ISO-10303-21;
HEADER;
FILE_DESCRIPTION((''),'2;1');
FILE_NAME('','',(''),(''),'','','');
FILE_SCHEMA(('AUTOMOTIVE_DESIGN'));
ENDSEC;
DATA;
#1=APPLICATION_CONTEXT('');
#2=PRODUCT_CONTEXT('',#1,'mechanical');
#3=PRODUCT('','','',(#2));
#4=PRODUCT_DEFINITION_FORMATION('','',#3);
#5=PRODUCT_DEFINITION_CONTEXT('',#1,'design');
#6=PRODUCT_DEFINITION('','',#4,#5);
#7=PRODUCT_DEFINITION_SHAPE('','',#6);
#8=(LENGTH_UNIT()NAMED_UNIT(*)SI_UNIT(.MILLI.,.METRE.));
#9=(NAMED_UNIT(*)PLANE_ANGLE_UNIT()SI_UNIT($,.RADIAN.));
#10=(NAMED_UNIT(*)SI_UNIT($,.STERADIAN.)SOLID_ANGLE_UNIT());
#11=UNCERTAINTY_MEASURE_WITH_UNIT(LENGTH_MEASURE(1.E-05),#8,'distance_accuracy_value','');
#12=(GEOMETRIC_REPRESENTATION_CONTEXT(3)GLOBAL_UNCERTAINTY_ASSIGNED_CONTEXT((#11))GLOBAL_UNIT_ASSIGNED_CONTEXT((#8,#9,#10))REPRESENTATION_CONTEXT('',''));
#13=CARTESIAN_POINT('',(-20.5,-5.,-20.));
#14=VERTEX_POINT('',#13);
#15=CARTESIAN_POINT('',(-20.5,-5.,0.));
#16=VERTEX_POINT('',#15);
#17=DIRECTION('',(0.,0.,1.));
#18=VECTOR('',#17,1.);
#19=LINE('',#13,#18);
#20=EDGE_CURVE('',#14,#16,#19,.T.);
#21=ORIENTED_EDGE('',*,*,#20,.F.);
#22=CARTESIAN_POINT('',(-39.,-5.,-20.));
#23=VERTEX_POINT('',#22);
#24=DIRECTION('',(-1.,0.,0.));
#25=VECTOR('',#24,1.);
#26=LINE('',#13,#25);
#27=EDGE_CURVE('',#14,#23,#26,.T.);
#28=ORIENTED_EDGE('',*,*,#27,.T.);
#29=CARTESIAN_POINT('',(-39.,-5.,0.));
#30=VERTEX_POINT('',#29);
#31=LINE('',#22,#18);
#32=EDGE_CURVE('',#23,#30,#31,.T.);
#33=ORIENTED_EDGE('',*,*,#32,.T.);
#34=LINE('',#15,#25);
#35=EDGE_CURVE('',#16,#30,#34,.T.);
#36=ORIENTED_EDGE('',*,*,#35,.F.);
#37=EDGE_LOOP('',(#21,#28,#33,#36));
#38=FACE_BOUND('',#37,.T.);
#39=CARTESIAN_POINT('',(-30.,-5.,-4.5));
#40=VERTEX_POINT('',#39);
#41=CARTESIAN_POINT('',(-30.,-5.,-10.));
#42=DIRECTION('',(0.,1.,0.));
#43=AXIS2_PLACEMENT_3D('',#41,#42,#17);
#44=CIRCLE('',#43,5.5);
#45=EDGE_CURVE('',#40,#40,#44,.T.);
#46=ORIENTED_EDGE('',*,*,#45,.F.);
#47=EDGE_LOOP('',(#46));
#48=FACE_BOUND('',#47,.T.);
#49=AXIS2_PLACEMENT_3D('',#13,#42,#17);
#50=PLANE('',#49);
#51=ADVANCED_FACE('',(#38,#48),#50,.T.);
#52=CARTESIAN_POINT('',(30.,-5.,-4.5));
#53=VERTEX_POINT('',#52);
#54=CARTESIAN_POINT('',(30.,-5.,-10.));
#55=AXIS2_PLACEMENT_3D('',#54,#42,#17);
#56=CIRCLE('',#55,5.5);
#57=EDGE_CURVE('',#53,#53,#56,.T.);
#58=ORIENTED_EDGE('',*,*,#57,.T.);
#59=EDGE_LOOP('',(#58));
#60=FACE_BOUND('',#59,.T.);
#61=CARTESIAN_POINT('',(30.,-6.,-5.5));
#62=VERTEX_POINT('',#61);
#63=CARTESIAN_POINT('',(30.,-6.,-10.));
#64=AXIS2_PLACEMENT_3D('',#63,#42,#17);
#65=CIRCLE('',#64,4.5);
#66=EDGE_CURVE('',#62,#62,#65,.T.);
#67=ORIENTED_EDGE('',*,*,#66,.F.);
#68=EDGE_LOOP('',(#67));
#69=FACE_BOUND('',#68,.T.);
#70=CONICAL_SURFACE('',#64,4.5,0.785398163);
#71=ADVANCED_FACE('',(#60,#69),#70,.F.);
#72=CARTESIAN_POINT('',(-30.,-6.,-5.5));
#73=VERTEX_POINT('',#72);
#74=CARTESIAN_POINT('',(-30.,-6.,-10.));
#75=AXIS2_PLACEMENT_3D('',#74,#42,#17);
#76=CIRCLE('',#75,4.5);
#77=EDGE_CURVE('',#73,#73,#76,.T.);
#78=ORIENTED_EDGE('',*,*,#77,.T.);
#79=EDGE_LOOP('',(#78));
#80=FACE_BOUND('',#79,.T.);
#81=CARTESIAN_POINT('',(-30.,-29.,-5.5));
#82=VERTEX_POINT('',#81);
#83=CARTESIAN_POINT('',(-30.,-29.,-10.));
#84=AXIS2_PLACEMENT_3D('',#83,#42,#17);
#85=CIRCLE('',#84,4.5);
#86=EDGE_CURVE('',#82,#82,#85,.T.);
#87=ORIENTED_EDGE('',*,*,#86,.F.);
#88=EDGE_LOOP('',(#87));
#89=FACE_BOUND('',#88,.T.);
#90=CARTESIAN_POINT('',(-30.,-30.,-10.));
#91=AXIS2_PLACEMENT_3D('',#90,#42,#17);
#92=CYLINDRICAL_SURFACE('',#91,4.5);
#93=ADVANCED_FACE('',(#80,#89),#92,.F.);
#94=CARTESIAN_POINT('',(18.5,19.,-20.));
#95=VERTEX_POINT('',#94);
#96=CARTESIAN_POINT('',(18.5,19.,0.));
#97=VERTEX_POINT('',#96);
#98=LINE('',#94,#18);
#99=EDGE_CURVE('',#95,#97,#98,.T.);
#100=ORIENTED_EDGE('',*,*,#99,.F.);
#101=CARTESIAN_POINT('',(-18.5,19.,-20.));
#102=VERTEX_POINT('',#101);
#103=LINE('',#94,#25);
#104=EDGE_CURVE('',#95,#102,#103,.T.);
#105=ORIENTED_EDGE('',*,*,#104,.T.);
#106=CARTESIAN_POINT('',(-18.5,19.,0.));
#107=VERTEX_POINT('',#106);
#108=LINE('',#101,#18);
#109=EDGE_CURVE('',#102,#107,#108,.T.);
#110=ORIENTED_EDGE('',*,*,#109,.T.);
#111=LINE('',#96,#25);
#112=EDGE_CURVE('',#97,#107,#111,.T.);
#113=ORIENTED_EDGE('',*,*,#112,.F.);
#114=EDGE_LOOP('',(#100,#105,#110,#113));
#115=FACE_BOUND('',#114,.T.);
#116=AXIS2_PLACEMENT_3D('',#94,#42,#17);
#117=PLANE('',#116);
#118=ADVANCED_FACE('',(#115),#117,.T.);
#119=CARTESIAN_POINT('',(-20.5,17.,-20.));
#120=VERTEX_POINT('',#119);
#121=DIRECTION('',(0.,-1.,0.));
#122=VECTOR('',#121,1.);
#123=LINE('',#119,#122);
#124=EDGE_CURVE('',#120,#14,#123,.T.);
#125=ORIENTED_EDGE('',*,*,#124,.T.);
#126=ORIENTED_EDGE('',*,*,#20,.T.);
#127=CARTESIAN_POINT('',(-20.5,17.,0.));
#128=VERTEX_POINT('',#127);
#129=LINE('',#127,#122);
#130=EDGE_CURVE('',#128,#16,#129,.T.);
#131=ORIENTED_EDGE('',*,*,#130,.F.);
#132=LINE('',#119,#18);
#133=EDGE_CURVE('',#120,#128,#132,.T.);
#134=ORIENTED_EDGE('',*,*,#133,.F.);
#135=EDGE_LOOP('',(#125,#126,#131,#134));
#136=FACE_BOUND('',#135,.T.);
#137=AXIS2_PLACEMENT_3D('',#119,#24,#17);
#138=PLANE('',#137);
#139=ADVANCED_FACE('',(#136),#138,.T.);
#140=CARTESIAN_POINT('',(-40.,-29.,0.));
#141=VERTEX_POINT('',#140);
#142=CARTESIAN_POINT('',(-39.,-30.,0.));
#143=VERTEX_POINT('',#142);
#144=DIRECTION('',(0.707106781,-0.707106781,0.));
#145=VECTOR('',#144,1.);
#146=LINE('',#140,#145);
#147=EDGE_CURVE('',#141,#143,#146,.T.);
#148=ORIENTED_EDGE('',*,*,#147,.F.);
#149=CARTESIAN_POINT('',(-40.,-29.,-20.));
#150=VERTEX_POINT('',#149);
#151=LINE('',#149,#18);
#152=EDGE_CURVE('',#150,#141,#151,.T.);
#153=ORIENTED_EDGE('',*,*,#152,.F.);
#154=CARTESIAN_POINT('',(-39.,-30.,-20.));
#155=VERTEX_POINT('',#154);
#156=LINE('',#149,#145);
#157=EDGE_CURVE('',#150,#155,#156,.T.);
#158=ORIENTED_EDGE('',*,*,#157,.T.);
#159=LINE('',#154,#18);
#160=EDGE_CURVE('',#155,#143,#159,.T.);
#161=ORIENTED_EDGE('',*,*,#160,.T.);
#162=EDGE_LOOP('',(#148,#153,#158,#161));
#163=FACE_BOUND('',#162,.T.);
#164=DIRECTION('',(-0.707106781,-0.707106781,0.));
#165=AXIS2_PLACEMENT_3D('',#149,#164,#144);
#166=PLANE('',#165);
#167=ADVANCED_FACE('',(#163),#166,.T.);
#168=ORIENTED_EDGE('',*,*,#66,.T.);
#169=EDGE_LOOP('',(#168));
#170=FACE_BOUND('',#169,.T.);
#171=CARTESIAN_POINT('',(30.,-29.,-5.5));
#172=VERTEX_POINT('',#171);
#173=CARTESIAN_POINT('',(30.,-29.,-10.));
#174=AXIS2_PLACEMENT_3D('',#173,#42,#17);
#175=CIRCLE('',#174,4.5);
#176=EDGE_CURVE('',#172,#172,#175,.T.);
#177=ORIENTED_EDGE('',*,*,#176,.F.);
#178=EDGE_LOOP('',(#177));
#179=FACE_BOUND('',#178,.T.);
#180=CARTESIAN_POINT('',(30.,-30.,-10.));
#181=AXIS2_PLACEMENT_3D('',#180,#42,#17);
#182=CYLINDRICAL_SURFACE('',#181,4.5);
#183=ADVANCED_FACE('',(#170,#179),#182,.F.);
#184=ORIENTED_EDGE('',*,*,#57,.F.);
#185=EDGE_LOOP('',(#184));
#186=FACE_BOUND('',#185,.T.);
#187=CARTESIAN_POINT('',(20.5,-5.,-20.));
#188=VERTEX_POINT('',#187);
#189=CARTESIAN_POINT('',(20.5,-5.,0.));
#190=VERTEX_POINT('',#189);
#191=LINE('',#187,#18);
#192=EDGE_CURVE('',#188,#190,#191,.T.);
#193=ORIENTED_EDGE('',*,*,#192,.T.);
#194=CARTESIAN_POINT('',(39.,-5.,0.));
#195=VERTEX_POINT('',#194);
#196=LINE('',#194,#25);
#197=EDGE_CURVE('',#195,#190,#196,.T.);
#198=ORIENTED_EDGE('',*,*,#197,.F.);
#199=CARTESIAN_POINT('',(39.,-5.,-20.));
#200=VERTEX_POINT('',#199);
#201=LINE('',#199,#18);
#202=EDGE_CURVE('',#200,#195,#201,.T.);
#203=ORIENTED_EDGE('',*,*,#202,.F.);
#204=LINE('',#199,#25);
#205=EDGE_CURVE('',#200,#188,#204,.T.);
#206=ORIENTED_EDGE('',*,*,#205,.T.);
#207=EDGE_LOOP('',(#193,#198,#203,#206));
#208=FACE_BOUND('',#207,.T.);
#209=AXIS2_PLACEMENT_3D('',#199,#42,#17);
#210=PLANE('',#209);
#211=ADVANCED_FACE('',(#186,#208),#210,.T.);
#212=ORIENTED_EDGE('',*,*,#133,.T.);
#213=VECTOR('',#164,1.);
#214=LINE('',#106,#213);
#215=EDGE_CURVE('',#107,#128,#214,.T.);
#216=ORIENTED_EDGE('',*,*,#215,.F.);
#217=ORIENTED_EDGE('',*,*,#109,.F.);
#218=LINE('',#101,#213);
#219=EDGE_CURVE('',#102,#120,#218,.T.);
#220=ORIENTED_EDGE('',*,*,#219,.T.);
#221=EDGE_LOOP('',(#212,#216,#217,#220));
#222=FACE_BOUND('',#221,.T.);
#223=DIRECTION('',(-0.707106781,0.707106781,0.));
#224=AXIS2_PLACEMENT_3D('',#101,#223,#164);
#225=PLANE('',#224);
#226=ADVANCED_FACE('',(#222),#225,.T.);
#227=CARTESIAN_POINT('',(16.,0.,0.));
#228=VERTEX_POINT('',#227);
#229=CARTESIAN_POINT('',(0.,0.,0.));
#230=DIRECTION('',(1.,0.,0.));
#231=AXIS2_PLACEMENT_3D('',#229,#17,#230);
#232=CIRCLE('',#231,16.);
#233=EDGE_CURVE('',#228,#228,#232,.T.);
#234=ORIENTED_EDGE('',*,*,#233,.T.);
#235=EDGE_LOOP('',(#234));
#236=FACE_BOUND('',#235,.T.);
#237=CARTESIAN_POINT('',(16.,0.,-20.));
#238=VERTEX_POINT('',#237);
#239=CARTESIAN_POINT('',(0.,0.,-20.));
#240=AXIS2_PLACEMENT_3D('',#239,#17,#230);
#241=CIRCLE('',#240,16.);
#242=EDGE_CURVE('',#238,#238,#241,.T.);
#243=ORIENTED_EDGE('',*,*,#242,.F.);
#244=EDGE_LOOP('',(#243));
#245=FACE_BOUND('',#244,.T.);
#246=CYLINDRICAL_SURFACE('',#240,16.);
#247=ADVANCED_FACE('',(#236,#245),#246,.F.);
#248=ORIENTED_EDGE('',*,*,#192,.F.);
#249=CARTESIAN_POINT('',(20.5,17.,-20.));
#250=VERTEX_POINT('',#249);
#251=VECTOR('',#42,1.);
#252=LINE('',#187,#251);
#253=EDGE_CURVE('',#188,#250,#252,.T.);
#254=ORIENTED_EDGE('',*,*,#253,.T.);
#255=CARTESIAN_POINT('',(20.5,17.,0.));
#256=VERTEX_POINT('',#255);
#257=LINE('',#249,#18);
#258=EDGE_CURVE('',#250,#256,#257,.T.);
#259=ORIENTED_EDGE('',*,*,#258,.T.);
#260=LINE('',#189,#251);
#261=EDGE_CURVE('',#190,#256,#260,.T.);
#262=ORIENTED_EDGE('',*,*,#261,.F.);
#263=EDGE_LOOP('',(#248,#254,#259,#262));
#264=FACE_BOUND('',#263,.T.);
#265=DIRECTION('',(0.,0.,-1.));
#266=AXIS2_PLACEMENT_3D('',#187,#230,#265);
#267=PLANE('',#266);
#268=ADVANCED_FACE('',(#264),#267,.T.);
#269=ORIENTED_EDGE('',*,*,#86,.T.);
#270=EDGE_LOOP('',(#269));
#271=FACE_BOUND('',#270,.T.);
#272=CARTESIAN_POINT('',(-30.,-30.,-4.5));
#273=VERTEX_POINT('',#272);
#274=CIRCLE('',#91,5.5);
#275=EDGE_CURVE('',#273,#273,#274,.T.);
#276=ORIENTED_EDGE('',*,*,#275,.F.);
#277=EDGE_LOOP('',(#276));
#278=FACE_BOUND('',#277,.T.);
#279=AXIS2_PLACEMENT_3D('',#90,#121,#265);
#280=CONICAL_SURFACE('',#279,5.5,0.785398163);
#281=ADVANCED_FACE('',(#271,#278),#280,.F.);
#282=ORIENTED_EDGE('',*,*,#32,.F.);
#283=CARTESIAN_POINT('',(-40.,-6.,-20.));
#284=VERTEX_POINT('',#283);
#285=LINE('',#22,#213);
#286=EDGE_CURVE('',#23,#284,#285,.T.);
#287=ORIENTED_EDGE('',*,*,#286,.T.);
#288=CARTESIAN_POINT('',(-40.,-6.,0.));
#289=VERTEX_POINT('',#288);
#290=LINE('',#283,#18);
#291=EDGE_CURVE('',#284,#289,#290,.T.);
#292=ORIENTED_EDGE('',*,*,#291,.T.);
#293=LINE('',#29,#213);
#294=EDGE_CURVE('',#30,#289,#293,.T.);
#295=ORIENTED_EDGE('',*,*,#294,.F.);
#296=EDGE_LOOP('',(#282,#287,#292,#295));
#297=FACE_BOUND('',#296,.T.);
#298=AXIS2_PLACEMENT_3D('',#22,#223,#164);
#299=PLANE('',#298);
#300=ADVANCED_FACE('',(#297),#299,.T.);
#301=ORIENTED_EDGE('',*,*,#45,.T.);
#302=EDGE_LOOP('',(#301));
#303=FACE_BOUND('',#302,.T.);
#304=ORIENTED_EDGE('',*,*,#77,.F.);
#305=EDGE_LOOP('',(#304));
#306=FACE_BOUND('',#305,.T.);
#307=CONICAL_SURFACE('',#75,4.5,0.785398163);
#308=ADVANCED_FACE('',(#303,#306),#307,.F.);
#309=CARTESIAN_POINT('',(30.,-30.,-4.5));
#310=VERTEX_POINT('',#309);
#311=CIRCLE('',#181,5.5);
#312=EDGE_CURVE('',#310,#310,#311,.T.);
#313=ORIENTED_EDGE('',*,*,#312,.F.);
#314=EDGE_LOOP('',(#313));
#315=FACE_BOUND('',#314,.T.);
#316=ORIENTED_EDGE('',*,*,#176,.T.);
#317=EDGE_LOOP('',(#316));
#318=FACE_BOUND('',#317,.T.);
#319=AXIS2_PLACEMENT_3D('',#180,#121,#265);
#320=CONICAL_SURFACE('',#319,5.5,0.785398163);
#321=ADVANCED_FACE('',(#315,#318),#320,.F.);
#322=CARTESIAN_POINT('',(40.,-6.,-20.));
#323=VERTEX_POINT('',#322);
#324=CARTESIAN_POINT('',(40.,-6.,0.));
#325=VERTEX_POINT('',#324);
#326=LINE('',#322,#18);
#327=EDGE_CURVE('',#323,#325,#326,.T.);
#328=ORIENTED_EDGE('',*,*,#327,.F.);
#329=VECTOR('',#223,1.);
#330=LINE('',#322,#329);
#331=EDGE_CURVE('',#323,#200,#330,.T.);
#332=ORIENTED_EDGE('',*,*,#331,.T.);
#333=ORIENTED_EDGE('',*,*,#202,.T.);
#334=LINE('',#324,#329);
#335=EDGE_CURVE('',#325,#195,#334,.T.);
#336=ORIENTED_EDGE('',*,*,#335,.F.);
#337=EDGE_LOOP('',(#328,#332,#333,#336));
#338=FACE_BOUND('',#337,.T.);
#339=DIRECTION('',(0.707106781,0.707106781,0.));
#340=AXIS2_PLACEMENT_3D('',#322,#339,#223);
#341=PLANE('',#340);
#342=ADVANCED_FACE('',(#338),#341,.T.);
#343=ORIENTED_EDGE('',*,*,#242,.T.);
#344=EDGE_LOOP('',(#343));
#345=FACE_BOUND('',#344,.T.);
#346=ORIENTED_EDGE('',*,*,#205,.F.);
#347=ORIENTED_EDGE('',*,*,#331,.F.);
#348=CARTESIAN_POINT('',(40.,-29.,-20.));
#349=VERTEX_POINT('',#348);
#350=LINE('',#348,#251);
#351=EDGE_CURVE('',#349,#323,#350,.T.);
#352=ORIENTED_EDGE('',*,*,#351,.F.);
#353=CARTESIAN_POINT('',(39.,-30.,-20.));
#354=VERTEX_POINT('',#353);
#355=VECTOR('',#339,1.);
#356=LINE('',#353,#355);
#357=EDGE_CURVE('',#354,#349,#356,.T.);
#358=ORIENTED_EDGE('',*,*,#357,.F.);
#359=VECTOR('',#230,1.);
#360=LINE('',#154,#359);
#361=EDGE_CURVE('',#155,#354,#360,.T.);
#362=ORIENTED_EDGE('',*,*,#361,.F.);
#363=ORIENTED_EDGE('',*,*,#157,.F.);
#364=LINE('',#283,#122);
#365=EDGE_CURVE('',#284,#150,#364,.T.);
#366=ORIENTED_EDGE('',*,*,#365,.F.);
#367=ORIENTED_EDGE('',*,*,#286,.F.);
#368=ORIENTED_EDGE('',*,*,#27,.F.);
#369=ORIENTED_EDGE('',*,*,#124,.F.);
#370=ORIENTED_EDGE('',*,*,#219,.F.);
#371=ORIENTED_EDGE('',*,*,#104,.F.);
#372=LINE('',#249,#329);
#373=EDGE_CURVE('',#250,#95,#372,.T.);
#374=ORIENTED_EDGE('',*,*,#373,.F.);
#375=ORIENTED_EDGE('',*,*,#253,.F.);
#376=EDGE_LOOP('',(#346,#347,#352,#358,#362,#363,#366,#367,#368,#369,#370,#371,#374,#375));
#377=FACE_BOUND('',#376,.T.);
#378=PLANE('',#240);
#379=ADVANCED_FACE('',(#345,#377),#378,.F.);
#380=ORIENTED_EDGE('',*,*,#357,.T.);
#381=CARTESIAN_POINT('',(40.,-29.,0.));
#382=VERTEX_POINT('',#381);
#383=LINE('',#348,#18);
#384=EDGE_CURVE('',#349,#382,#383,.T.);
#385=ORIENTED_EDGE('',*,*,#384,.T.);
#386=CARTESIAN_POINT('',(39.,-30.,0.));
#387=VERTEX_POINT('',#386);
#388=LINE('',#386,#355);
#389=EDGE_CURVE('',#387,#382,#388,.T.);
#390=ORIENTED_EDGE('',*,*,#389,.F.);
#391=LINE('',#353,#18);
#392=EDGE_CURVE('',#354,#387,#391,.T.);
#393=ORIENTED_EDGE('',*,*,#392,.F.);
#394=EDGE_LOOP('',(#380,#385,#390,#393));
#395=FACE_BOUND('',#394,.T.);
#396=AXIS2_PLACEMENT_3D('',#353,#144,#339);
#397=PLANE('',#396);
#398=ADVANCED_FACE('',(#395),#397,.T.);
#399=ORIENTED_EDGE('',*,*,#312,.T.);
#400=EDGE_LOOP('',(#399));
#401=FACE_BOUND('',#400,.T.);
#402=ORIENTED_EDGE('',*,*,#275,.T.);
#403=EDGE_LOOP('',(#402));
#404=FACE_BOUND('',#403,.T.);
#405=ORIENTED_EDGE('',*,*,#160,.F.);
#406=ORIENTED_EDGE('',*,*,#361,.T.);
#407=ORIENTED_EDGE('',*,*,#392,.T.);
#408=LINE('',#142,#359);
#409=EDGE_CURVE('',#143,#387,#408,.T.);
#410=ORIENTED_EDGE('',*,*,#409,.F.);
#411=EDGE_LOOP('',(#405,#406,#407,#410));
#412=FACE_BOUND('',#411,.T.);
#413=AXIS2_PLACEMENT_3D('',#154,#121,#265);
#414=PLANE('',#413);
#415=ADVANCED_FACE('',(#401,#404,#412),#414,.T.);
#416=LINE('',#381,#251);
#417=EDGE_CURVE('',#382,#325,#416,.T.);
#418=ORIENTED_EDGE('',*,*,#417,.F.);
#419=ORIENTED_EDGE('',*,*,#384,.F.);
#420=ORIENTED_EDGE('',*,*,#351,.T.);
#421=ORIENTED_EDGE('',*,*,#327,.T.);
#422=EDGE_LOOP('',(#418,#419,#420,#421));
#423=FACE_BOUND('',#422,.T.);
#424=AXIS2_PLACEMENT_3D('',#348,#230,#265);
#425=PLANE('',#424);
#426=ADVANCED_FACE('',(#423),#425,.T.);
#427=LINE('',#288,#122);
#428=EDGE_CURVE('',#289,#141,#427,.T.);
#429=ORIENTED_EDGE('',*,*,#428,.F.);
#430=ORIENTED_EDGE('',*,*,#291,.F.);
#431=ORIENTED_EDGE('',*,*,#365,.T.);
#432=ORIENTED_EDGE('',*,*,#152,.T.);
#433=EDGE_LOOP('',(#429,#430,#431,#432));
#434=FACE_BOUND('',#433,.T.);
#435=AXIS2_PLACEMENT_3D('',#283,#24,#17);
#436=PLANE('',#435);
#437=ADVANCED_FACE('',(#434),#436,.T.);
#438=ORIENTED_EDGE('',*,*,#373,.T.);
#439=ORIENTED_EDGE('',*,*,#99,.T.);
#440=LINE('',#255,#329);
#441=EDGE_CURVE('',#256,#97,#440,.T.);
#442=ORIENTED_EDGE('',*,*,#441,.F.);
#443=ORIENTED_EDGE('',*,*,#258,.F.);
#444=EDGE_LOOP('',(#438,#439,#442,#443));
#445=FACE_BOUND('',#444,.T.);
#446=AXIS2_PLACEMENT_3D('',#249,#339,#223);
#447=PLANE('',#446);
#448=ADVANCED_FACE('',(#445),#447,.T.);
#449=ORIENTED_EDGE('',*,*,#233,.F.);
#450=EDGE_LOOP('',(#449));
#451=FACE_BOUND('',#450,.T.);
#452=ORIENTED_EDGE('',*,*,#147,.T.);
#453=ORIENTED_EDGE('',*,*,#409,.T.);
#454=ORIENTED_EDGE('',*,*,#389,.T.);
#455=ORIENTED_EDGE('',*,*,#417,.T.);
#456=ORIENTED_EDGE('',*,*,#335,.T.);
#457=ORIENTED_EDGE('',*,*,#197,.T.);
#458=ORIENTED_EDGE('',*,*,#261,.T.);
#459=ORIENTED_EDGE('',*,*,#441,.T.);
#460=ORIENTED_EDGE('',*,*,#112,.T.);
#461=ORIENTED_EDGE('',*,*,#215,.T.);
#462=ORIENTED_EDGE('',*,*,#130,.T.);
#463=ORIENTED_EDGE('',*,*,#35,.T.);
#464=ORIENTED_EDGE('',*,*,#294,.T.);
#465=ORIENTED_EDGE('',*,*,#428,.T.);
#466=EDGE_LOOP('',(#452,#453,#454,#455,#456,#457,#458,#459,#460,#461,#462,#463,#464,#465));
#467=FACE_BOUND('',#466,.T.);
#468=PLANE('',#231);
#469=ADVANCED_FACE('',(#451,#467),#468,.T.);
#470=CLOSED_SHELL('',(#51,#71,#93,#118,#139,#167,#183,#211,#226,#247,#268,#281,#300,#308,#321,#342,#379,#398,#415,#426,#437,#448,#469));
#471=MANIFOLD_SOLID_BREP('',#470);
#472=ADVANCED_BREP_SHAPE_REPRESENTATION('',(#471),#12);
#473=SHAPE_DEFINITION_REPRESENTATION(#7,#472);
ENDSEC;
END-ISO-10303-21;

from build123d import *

# Parameters (mm, degrees)
SKETCH1_R           = 16
BOSS_EXTRUDE1_DEPTH = 20


with BuildPart() as part:
    # Sketch1 → Boss-Extrude1 (new body)
    with BuildSketch(Plane.XY):
        Polygon((-40, -29), (-39, -30), (39, -30), (40, -29), (40, -6), (39, -5), (20.5, -5), (20.5, 17), (18.5, 19), (-18.5, 19), (-20.5, 17), (-20.5, -5), (-39, -5), (-40, -6), align=None)
        Circle(SKETCH1_R, mode=Mode.SUBTRACT)
    extrude(amount=-BOSS_EXTRUDE1_DEPTH)

    # Sketch2 → Cut-Revolve1 (revolve, cut)
    with BuildSketch(Plane.XY.offset(-10)):
        Polygon((30, -5), (35.5, -5), (34.5, -6), (34.5, -29), (35.5, -30), (30, -30), align=None)
    revolve(axis=Axis((30, -30, -10), (0, 1, 0)), mode=Mode.SUBTRACT)

    # Sketch3 → Cut-Revolve2 (revolve, cut)
    with BuildSketch(Plane.XY.offset(-10)):
        Polygon((-30, -5), (-24.5, -5), (-25.5, -6), (-25.5, -29), (-24.5, -30), (-30, -30), align=None)
    revolve(axis=Axis((-30, -30, -10), (0, 1, 0)), mode=Mode.SUBTRACT)


solid = part.part
